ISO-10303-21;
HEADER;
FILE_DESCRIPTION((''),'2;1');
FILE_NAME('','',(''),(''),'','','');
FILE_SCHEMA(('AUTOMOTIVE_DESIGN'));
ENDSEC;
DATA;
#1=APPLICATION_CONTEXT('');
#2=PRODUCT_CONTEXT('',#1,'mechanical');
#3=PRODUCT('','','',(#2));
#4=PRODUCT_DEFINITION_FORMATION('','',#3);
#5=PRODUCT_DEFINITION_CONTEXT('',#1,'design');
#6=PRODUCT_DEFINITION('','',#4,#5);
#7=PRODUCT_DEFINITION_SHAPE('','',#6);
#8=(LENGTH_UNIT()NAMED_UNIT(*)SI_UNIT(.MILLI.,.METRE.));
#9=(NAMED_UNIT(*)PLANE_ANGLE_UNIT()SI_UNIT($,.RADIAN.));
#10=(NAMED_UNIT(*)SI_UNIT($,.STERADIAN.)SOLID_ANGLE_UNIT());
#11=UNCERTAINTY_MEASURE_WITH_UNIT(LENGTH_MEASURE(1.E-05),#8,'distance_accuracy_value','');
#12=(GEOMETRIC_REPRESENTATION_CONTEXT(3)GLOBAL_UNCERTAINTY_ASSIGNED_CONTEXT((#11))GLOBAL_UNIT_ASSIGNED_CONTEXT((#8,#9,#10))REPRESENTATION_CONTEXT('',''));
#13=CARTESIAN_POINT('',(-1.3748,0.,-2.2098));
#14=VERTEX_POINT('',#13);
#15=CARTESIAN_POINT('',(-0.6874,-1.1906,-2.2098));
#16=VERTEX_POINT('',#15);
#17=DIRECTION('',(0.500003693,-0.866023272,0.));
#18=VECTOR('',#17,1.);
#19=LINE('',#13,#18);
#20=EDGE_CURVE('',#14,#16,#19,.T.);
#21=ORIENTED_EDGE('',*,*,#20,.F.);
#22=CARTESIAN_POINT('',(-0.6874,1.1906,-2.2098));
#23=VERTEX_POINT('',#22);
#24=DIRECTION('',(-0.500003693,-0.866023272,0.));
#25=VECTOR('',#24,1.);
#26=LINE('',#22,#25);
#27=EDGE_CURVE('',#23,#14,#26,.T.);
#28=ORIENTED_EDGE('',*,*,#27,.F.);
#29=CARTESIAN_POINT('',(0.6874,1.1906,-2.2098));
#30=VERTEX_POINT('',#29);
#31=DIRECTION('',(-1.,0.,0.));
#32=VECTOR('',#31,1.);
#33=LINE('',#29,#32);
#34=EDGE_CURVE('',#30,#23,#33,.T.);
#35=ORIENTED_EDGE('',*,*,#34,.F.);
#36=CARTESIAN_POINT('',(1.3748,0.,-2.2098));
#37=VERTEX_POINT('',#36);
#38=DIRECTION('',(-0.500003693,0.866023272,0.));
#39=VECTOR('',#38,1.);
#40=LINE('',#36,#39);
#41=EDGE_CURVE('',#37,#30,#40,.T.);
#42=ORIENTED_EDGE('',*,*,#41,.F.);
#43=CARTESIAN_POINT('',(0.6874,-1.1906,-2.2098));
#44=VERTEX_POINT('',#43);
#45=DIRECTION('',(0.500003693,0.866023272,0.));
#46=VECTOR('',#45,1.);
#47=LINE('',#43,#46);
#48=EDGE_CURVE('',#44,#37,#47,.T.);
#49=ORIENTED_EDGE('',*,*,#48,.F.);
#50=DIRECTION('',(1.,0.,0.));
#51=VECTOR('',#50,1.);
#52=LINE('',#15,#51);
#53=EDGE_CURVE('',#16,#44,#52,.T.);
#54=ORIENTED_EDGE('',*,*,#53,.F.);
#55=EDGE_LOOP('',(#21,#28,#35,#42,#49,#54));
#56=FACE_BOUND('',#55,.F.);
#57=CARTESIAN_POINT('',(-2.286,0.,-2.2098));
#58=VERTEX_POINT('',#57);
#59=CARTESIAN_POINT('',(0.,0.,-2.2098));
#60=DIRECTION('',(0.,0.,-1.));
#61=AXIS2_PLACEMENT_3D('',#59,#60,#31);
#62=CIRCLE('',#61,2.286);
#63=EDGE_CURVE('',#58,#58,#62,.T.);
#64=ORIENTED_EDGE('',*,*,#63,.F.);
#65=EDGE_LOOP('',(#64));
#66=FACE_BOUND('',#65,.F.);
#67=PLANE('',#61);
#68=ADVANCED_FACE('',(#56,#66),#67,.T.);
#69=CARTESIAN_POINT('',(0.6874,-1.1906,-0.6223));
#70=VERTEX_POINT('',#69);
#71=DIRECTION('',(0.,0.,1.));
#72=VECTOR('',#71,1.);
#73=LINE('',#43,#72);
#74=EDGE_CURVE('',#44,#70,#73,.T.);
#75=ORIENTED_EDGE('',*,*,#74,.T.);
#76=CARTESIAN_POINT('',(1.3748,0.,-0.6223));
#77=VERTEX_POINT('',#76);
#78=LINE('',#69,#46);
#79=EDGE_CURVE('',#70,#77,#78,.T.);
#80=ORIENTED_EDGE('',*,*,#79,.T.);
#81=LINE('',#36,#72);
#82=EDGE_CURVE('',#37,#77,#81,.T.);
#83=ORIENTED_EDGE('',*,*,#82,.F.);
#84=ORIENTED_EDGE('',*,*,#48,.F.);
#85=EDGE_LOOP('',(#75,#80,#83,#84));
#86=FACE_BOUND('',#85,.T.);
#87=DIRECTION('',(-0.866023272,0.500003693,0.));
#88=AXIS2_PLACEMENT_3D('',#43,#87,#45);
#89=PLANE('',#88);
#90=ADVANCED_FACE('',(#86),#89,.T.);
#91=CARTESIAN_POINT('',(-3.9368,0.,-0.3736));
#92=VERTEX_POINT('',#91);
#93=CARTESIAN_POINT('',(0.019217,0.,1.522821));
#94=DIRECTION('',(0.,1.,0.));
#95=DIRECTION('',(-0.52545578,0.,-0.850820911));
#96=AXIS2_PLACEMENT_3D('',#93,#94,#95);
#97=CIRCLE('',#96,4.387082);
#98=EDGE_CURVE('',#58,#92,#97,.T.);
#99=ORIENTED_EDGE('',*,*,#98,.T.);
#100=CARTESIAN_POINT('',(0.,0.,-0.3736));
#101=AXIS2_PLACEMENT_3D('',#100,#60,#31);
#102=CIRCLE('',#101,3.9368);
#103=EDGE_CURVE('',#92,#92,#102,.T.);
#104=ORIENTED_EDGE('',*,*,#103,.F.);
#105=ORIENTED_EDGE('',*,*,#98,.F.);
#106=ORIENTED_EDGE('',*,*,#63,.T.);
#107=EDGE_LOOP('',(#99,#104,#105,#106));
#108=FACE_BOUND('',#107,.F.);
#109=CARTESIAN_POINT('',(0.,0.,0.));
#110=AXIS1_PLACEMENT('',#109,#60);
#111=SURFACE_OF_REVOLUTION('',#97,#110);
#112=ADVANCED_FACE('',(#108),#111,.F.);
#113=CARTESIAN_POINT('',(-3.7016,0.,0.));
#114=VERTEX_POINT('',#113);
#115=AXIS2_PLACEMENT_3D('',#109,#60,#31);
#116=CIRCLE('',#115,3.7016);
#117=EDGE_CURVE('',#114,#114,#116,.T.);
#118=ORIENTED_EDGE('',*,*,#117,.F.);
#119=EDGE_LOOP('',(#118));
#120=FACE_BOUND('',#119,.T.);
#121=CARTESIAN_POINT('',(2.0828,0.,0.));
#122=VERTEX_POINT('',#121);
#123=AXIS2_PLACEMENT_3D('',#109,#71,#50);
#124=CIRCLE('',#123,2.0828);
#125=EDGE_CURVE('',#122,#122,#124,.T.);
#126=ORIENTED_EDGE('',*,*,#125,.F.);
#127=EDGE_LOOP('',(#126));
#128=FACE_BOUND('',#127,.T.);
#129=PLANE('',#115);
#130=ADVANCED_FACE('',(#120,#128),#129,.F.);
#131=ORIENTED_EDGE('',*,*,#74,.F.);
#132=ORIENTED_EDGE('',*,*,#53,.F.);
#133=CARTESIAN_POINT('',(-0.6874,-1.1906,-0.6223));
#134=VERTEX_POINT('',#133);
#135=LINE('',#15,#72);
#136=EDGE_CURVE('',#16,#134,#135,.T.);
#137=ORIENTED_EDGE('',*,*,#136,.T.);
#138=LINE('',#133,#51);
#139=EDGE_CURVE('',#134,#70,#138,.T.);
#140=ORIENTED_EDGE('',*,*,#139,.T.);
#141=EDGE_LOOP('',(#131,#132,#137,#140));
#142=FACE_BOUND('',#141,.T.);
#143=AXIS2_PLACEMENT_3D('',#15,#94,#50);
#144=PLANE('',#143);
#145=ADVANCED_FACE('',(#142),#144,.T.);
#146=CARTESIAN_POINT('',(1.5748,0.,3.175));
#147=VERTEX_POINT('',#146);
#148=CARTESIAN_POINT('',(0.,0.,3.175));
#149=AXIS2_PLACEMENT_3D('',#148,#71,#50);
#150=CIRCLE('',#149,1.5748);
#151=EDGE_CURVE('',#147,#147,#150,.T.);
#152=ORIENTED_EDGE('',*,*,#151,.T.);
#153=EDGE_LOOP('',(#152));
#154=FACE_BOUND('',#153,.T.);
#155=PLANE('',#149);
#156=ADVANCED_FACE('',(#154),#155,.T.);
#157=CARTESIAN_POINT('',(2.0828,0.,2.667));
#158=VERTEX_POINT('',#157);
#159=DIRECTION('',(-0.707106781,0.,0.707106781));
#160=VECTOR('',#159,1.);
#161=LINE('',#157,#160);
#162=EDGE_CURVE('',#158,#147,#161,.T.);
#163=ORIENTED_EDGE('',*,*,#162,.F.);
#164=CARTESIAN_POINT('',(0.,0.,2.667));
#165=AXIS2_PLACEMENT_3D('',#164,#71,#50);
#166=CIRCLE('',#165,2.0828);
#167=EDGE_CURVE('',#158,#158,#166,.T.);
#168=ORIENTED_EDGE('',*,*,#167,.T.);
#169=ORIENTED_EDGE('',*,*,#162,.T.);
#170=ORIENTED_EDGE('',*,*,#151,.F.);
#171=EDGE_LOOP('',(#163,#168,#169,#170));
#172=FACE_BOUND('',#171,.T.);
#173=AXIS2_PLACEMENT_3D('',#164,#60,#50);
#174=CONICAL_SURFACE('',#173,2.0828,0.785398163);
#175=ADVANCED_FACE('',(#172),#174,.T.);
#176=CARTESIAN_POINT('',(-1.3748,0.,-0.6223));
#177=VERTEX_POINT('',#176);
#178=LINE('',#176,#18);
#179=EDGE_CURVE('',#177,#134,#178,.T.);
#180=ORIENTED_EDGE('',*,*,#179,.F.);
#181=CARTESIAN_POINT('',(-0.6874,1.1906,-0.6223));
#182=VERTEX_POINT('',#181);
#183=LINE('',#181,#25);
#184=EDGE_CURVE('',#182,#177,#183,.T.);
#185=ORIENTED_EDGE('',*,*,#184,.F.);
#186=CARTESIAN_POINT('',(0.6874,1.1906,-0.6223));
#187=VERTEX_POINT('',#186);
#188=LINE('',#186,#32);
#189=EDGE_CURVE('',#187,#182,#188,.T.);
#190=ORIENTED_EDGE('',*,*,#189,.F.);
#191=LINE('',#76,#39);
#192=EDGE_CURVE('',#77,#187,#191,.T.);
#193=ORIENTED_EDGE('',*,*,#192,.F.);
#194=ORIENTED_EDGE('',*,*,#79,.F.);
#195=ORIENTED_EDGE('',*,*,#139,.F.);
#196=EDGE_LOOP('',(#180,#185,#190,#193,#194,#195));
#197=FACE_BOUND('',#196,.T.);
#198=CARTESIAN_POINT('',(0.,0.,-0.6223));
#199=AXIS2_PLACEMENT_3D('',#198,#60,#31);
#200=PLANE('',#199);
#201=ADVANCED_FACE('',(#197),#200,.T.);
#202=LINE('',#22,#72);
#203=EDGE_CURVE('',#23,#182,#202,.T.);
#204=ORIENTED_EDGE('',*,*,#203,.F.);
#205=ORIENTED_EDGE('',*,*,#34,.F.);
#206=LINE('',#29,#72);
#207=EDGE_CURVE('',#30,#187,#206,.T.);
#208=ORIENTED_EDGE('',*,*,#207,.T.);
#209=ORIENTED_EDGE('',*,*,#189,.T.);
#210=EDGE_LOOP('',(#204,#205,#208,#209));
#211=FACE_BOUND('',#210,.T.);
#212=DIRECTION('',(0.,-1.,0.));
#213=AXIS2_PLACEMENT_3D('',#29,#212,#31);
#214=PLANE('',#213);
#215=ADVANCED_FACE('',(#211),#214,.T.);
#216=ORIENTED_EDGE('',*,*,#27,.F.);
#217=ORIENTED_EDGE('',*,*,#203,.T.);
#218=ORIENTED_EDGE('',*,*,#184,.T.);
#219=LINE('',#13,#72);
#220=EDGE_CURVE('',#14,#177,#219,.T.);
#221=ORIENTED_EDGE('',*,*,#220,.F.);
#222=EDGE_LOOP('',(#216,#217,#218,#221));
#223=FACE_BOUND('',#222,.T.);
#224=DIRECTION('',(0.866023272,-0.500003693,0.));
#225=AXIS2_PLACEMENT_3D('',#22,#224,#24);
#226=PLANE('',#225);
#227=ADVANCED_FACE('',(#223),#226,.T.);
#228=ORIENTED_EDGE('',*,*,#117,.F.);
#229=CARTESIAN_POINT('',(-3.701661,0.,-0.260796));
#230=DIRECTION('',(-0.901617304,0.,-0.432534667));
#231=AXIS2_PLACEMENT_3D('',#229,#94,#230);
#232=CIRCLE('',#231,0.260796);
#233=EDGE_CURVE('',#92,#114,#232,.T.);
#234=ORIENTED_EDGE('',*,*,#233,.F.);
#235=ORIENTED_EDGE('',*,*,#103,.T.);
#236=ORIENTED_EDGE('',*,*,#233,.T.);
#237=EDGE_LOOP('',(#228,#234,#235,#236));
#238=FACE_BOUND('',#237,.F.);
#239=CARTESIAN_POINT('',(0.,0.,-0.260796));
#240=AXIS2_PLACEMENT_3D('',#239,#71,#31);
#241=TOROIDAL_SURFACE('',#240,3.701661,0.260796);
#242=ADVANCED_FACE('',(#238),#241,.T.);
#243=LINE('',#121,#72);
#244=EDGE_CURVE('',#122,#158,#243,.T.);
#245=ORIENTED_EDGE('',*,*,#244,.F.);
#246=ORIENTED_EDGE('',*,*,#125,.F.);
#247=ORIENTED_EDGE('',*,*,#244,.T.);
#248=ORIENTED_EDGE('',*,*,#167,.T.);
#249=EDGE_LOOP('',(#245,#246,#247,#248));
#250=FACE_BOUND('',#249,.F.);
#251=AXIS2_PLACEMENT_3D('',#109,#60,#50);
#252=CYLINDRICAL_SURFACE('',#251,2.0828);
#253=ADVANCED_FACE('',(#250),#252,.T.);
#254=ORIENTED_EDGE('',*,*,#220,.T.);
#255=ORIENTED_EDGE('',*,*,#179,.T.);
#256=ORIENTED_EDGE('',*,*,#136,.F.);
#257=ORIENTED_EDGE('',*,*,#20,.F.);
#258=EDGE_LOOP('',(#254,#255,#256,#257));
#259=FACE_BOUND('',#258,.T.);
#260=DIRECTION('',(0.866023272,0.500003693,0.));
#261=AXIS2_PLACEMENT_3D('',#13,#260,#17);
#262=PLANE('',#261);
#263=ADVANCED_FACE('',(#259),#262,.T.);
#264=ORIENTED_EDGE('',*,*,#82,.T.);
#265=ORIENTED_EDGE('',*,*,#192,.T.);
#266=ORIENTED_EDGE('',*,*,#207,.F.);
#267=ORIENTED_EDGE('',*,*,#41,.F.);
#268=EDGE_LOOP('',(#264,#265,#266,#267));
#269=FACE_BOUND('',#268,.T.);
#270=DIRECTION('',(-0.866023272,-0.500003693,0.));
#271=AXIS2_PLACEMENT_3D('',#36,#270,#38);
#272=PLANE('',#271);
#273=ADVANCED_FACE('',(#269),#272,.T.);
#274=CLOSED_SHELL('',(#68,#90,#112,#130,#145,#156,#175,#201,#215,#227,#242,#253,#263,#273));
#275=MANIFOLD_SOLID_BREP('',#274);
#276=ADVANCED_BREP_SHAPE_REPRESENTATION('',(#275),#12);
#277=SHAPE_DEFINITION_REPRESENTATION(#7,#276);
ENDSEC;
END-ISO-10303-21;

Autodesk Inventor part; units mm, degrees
ref_plane "YZ Plane" through (0, 0, 0) normal (1, 0, 0) x (0, 1, 0)
ref_plane "XZ Plane" through (0, 0, 0) normal (0, 1, 0) x (-1, 0, 0)
ref_plane "XY Plane" through (0, 0, 0) normal (0, 0, 1) x (1, 0, 0)
sketch "Sketch1" plane through (0, 0, 0) normal (0, 0, 1) x (1, 0, 0)
  circle A0 centre (0, 0) radius 2.0828
  dimension "d0" = 4.1656
extrude "Extrusion1" add sketch "Sketch1" along normal blind 3.175
sketch "Sketch2" plane through (0, 0, 0) normal (0, 1, 0) x (-1, 0, 0)
  line L0 (0, 0) -> (0, -2.2098)
  line L1 (0, 0) -> (3.7016, 0)
  line L2 (0, -2.2098) -> (2.286, -2.2098)
  line L3 (3.7016, 0) -> (3.7016, 3.8864) construction
  arc A0 (3.9368, -0.3736) -> (3.7016, 0) centre (3.7016, -0.2608) ccw
  arc A1 (2.286, -2.2098) -> (3.9368, -0.3736) centre (-0.0192, 1.5228) ccw
  line L4 (3.9624, 0.6553) -> (3.9624, -0.2608) construction
  dimension "d3" = 2.2098
  dimension "d6" = 2.286
  dimension "d12" = 3.9624
revolve "Revolution1" add sketch "Sketch2" angle 360 about axis through (0, 0, 0) along (0, 0, -1)
sketch "Sketch3" plane through (0, 0, -2.2098) normal (0, 0, -1) x (-1, 0, 0)
  circle A0 centre (0, 0) radius 2.286 projected
  line L0 (-0.6874, 1.1906) -> (0.6874, 1.1906)
  line L1 (0.6874, 1.1906) -> (1.3748, 0)
  line L2 (1.3748, 0) -> (0.6874, -1.1906)
  line L3 (0.6874, -1.1906) -> (-0.6874, -1.1906)
  line L4 (-0.6874, -1.1906) -> (-1.3748, 0)
  line L5 (-1.3748, 0) -> (-0.6874, 1.1906)
  dimension "d8" = 2.3813
extrude "Extrusion2" cut sketch "Sketch3" against normal blind 1.5875 contours L0 L1 L2 L3 L4 L5
chamfer "Chamfer1" distance 0.508 angle 45 1 edges at (-2.0828, 0, 3.175)
thread "Thread1" size "8-32 UNC" class "2A" standard "ANSI Unified Screw Threads" full length
properties part number "10-32 x438 button head" material "Steel"
